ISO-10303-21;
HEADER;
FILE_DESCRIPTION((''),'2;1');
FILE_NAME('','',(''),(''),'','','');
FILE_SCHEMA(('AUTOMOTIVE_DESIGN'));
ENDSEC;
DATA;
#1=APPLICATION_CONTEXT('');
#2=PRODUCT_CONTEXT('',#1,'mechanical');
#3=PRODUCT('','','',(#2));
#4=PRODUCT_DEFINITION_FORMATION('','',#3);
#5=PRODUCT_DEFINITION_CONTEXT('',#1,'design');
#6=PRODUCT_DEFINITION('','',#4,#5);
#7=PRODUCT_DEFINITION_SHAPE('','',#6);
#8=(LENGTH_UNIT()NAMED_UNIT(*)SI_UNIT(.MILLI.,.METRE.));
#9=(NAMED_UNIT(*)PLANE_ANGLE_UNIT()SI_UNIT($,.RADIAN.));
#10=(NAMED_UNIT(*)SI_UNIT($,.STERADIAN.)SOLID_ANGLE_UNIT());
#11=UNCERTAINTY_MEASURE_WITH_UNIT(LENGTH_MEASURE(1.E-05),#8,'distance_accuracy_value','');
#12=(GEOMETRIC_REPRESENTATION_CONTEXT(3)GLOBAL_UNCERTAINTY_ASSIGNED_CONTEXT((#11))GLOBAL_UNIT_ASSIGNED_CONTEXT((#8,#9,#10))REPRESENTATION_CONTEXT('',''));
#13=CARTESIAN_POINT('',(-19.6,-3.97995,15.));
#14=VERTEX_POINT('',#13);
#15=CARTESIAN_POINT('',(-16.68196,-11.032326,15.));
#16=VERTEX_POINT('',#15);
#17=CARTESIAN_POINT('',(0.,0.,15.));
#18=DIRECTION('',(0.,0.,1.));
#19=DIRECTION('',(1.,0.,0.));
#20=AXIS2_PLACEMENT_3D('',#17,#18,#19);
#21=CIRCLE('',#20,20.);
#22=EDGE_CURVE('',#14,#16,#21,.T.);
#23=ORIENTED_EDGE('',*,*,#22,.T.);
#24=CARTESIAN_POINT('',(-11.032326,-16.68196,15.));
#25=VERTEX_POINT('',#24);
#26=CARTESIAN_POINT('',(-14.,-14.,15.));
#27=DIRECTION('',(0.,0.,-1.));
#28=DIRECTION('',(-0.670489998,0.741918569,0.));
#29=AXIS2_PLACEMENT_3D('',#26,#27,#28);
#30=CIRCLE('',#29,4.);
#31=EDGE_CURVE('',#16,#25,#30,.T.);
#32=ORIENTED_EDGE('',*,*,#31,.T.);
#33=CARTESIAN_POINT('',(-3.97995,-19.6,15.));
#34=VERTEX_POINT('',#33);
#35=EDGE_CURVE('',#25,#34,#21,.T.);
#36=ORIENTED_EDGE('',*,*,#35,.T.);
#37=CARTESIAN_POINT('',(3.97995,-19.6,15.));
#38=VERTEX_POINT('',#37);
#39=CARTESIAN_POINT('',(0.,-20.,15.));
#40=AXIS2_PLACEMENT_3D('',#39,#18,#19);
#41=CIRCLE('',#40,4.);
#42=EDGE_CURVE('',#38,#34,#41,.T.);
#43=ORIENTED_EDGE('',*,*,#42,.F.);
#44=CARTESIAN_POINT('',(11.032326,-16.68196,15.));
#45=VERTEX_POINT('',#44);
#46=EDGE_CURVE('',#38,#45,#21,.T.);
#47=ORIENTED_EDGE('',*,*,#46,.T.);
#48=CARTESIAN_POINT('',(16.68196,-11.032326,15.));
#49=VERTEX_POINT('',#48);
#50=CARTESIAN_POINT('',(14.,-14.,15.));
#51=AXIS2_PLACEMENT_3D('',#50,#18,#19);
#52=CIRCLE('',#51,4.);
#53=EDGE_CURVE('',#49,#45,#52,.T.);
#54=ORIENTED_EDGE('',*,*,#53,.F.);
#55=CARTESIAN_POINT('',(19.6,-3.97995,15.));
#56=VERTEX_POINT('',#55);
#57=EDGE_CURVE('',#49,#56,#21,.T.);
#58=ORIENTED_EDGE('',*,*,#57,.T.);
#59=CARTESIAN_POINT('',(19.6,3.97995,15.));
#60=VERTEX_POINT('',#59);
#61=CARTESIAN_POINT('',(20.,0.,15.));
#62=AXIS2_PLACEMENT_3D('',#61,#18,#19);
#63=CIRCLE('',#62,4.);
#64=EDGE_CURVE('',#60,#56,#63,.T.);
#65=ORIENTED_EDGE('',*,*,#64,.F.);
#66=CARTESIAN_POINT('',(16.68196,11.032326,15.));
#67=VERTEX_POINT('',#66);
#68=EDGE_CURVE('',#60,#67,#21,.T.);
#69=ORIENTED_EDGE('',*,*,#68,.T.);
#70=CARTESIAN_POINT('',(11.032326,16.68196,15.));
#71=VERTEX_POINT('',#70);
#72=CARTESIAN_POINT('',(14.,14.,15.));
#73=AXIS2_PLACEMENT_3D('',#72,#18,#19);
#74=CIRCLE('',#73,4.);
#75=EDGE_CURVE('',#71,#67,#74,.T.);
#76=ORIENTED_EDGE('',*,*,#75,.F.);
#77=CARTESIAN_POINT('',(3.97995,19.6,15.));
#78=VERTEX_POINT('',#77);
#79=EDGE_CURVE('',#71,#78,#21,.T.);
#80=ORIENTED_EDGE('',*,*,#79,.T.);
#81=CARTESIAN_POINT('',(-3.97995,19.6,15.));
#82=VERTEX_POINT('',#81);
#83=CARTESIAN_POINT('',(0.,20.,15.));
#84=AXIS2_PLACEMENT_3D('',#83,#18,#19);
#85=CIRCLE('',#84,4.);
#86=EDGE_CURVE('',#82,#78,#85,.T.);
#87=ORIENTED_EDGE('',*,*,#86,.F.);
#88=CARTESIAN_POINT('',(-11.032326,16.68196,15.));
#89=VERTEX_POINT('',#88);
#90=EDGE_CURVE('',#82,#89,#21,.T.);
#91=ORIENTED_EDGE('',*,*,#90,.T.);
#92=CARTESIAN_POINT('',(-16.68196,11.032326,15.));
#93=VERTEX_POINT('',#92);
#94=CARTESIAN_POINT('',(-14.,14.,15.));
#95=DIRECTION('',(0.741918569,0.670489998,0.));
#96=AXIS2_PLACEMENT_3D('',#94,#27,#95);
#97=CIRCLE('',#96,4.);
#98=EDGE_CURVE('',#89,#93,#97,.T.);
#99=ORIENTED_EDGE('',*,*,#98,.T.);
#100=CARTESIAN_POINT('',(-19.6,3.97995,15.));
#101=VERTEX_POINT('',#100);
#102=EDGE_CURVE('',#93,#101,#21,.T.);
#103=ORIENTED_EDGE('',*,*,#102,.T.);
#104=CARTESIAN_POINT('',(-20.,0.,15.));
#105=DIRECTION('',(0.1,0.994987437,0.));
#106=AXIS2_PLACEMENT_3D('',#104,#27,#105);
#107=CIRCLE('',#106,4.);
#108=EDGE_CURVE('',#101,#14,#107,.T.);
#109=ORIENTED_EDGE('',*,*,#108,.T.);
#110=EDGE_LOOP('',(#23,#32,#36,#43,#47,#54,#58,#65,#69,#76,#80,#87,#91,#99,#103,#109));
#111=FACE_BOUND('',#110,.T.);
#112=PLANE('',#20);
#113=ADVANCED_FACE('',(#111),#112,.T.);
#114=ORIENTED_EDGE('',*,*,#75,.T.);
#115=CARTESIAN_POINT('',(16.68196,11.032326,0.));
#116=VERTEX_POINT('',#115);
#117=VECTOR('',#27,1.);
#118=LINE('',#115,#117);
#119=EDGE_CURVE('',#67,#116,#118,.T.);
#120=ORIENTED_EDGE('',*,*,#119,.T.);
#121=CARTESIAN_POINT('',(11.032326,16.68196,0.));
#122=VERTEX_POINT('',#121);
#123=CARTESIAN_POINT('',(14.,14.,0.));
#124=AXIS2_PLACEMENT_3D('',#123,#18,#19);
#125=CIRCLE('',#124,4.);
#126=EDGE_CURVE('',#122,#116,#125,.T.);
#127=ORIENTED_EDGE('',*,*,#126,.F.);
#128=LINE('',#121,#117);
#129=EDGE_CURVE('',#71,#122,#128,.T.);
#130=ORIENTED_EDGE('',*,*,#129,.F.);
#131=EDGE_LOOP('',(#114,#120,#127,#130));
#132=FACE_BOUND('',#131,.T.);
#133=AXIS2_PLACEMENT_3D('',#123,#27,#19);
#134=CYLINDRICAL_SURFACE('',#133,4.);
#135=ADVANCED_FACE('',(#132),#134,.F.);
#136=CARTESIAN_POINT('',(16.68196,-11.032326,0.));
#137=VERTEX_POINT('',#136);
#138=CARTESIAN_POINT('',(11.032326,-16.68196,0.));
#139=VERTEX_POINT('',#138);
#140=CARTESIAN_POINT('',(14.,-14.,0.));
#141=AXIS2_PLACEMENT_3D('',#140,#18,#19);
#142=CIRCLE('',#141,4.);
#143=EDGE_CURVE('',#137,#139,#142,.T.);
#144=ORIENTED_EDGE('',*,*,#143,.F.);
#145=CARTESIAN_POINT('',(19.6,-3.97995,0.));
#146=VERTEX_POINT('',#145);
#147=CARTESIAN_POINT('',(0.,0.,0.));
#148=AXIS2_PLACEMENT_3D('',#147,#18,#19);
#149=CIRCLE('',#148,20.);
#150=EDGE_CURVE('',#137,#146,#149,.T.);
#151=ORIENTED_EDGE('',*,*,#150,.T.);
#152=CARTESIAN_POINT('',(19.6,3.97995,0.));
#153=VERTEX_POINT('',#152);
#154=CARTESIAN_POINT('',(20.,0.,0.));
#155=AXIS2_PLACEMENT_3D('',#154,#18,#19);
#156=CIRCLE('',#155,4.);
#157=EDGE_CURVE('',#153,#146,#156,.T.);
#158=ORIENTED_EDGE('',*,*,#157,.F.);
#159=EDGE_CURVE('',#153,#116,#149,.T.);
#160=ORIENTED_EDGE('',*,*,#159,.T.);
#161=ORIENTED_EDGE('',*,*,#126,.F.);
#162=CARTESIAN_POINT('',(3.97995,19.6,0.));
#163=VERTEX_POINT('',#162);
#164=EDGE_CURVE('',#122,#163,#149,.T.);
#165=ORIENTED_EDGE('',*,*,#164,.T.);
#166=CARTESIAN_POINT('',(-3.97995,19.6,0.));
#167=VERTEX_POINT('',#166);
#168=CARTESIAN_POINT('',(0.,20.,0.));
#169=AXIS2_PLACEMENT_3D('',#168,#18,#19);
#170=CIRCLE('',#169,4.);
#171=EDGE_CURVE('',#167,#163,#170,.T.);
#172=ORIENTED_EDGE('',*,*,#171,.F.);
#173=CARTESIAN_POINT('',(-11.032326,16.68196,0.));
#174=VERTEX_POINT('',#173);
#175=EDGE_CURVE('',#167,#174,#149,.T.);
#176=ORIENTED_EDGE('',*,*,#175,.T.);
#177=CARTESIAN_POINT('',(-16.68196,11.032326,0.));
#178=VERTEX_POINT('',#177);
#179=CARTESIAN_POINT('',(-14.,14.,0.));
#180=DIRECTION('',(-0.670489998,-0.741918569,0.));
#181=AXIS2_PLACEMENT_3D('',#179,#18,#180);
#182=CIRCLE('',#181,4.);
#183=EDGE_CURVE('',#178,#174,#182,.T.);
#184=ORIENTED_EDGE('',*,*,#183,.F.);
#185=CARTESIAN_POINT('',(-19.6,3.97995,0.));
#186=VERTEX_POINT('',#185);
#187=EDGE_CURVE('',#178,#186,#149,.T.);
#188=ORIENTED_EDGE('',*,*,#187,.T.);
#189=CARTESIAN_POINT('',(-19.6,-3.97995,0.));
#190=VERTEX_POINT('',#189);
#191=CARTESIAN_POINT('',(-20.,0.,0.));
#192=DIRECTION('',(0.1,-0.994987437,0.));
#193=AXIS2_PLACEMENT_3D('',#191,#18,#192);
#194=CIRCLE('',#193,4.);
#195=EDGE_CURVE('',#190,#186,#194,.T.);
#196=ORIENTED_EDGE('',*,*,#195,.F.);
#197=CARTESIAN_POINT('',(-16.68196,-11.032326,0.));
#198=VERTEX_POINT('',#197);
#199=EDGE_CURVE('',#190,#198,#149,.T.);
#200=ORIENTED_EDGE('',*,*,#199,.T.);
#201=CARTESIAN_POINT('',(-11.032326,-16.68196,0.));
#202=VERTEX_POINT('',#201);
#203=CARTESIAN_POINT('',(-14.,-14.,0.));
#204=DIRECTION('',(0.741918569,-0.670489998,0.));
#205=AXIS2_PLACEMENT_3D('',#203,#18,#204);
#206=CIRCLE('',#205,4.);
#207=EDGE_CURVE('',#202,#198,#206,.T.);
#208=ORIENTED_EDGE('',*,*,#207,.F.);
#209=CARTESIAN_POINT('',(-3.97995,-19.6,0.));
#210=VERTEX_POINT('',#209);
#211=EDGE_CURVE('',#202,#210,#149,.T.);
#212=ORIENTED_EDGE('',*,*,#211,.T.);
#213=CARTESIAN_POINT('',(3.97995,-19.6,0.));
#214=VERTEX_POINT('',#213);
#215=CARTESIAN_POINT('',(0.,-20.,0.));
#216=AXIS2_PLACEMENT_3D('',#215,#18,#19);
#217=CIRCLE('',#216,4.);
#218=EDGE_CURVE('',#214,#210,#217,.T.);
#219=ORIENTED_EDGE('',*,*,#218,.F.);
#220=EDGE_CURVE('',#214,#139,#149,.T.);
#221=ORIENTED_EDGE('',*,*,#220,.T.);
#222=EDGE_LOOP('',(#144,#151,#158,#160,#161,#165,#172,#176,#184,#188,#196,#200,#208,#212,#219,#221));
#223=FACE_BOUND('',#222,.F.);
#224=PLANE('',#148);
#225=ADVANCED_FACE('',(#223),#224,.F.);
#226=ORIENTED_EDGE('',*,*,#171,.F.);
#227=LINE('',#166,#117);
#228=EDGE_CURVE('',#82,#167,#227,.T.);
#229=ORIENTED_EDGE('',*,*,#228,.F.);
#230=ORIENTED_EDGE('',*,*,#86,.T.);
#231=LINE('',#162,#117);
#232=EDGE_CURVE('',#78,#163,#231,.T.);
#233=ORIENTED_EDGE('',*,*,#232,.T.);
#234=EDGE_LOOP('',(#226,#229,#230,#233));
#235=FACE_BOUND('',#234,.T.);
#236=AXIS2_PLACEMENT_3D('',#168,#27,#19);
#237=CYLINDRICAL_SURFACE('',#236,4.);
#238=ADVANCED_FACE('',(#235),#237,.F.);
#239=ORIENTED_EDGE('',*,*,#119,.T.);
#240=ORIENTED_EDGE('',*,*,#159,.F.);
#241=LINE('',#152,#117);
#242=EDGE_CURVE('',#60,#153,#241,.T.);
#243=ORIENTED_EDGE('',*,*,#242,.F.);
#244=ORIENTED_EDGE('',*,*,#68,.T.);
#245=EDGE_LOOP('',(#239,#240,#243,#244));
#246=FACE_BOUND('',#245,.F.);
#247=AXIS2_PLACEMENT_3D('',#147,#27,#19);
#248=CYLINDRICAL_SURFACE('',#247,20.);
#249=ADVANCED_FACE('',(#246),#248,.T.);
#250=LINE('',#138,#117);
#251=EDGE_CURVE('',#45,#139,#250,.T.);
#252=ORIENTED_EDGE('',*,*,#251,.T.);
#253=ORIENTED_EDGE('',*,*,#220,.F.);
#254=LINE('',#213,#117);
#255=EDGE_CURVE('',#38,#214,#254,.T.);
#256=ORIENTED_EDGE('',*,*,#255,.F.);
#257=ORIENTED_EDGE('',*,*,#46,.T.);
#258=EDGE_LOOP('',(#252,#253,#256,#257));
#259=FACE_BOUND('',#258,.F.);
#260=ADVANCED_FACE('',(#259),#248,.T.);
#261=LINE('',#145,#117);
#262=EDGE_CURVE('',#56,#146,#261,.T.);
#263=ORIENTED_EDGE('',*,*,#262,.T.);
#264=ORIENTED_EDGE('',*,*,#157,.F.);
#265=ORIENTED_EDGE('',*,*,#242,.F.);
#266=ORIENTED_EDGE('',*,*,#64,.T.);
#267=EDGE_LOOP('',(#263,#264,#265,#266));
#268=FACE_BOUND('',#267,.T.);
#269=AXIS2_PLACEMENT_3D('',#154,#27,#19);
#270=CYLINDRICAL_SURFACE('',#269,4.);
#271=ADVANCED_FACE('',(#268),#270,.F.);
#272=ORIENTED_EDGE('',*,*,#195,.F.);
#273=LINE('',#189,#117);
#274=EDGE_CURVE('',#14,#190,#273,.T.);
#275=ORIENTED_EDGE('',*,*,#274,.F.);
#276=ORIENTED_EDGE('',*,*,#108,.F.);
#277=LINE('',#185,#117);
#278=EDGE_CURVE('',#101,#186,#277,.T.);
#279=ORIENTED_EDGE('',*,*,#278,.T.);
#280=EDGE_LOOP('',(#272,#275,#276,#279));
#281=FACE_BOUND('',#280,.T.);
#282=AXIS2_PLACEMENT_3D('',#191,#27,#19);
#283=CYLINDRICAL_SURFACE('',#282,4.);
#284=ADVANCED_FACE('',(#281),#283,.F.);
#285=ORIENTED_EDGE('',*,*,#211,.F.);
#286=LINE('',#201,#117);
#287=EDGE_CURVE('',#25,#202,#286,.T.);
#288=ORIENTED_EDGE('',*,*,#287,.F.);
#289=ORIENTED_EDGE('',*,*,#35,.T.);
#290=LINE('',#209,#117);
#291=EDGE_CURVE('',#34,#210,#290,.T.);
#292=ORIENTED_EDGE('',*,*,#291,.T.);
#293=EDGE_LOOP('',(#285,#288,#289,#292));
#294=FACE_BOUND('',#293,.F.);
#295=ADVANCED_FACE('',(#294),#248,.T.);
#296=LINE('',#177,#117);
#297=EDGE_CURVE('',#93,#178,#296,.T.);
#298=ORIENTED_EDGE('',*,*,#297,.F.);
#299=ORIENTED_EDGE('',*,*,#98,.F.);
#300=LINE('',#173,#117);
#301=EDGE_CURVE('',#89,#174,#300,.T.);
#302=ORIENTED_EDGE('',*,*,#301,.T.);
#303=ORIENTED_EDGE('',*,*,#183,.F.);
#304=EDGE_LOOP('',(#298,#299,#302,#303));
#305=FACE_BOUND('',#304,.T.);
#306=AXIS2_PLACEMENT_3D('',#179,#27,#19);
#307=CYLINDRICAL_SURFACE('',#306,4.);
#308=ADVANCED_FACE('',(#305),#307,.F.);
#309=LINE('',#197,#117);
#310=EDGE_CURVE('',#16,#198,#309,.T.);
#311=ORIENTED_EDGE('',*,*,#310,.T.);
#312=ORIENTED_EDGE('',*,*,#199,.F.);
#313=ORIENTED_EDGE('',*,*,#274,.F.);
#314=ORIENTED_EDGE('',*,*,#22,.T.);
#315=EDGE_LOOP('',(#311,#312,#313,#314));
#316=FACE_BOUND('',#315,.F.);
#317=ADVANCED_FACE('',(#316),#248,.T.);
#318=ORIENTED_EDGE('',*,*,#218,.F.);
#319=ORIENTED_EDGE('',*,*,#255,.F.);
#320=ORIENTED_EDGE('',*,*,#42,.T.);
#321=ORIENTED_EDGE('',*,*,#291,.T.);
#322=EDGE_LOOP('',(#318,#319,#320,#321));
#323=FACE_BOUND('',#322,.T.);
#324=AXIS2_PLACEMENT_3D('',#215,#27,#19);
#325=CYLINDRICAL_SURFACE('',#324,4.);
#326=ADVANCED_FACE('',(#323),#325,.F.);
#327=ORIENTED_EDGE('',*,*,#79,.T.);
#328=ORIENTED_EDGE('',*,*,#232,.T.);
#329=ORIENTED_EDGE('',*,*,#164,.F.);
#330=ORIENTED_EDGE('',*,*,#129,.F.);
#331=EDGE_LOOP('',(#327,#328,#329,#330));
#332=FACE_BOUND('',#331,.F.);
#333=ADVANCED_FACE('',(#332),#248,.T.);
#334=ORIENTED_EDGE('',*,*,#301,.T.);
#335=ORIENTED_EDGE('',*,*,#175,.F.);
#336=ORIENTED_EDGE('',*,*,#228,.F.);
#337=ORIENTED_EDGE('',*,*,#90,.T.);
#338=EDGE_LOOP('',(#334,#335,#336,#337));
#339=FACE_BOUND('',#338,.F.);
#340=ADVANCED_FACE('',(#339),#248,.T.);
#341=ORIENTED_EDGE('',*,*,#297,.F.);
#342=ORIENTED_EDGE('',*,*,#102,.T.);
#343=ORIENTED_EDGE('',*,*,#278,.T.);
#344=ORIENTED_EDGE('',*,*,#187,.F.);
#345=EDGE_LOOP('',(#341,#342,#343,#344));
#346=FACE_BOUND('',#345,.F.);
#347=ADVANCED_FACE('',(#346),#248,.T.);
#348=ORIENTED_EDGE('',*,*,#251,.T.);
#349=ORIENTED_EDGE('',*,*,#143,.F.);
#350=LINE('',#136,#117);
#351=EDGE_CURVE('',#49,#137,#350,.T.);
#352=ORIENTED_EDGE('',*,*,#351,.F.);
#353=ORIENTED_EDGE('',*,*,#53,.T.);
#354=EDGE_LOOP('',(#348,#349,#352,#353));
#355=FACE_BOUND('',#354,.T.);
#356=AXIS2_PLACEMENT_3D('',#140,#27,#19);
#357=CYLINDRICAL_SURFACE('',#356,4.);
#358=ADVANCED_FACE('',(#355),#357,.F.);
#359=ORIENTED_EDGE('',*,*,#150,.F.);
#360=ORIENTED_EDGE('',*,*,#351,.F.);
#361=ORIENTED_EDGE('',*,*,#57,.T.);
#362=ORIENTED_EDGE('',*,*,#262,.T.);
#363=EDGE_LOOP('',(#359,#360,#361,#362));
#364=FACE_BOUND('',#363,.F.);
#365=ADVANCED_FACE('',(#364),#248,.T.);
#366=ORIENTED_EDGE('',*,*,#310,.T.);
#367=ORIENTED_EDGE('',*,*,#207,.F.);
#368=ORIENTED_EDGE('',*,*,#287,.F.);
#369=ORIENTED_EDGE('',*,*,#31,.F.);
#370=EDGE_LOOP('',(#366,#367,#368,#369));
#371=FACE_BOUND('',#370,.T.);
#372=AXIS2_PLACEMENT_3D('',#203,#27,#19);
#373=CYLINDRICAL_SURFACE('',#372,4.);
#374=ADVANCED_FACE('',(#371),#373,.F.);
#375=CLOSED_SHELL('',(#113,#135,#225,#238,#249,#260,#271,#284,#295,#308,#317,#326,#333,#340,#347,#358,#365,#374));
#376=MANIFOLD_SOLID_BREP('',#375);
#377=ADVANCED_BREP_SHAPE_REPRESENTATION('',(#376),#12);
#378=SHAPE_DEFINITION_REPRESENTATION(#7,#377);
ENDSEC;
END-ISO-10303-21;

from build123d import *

# Parameters (mm, degrees)
CYLINDER002_R     = 4
CYLINDER002_DEPTH = 15
CYLINDER003_R     = 4
CYLINDER003_DEPTH = 15
CYLINDER004_R     = 4
CYLINDER004_DEPTH = 15
CYLINDER005_R     = 4
CYLINDER005_DEPTH = 15
CYLINDER007_R     = 4
CYLINDER007_DEPTH = 15
CYLINDER006_R     = 4
CYLINDER006_DEPTH = 15
CYLINDER008_R     = 4
CYLINDER008_DEPTH = 15
CYLINDER001_R     = 4
CYLINDER001_DEPTH = 15
CYLINDER_R        = 20
CYLINDER_DEPTH    = 15


with BuildPart() as cylinder002:
    # Cylinder002 → Cylinder002 (new body)
    with BuildSketch(Plane(origin=(0, 20, 0), x_dir=(1, 0, 0), z_dir=(0, 0, 1))):
        Circle(CYLINDER002_R)
    extrude(amount=CYLINDER002_DEPTH)


with BuildPart() as cylinder003:
    # Cylinder003 → Cylinder003 (new body)
    with BuildSketch(Plane(origin=(-20, 0, 0), x_dir=(1, 0, 0), z_dir=(0, 0, 1))):
        Circle(CYLINDER003_R)
    extrude(amount=CYLINDER003_DEPTH)


with BuildPart() as cylinder004:
    # Cylinder004 → Cylinder004 (new body)
    with BuildSketch(Plane(origin=(0, -20, 0), x_dir=(1, 0, 0), z_dir=(0, 0, 1))):
        Circle(CYLINDER004_R)
    extrude(amount=CYLINDER004_DEPTH)


with BuildPart() as cylinder005:
    # Cylinder005 → Cylinder005 (new body)
    with BuildSketch(Plane(origin=(14, -14, 0), x_dir=(1, 0, 0), z_dir=(0, 0, 1))):
        Circle(CYLINDER005_R)
    extrude(amount=CYLINDER005_DEPTH)


with BuildPart() as cylinder007:
    # Cylinder007 → Cylinder007 (new body)
    with BuildSketch(Plane(origin=(-14, -14, 0), x_dir=(1, 0, 0), z_dir=(0, 0, 1))):
        Circle(CYLINDER007_R)
    extrude(amount=CYLINDER007_DEPTH)


with BuildPart() as cylinder006:
    # Cylinder006 → Cylinder006 (new body)
    with BuildSketch(Plane(origin=(-14, 14, 0), x_dir=(1, 0, 0), z_dir=(0, 0, 1))):
        Circle(CYLINDER006_R)
    extrude(amount=CYLINDER006_DEPTH)


with BuildPart() as cylinder008:
    # Cylinder008 → Cylinder008 (new body)
    with BuildSketch(Plane(origin=(14, 14, 0), x_dir=(1, 0, 0), z_dir=(0, 0, 1))):
        Circle(CYLINDER008_R)
    extrude(amount=CYLINDER008_DEPTH)


with BuildPart() as cylinder001:
    # Cylinder001 → Cylinder001 (new body)
    with BuildSketch(Plane(origin=(20, 0, 0), x_dir=(1, 0, 0), z_dir=(0, 0, 1))):
        Circle(CYLINDER001_R)
    extrude(amount=CYLINDER001_DEPTH)


with BuildPart() as cut007:
    # Cylinder → Cylinder (new body)
    with BuildSketch(Plane.XY):
        Circle(CYLINDER_R)
    extrude(amount=CYLINDER_DEPTH)

    # Cut: cut Cylinder001
    add(cylinder001.part, mode=Mode.SUBTRACT)

    # Cut001: cut Cylinder008
    add(cylinder008.part, mode=Mode.SUBTRACT)

    # Cut002: cut Cylinder006
    add(cylinder006.part, mode=Mode.SUBTRACT)

    # Cut003: cut Cylinder007
    add(cylinder007.part, mode=Mode.SUBTRACT)

    # Cut004: cut Cylinder005
    add(cylinder005.part, mode=Mode.SUBTRACT)

    # Cut005: cut Cylinder004
    add(cylinder004.part, mode=Mode.SUBTRACT)

    # Cut006: cut Cylinder003
    add(cylinder003.part, mode=Mode.SUBTRACT)

    # Cut007: cut Cylinder002
    add(cylinder002.part, mode=Mode.SUBTRACT)


solid = cut007.part
